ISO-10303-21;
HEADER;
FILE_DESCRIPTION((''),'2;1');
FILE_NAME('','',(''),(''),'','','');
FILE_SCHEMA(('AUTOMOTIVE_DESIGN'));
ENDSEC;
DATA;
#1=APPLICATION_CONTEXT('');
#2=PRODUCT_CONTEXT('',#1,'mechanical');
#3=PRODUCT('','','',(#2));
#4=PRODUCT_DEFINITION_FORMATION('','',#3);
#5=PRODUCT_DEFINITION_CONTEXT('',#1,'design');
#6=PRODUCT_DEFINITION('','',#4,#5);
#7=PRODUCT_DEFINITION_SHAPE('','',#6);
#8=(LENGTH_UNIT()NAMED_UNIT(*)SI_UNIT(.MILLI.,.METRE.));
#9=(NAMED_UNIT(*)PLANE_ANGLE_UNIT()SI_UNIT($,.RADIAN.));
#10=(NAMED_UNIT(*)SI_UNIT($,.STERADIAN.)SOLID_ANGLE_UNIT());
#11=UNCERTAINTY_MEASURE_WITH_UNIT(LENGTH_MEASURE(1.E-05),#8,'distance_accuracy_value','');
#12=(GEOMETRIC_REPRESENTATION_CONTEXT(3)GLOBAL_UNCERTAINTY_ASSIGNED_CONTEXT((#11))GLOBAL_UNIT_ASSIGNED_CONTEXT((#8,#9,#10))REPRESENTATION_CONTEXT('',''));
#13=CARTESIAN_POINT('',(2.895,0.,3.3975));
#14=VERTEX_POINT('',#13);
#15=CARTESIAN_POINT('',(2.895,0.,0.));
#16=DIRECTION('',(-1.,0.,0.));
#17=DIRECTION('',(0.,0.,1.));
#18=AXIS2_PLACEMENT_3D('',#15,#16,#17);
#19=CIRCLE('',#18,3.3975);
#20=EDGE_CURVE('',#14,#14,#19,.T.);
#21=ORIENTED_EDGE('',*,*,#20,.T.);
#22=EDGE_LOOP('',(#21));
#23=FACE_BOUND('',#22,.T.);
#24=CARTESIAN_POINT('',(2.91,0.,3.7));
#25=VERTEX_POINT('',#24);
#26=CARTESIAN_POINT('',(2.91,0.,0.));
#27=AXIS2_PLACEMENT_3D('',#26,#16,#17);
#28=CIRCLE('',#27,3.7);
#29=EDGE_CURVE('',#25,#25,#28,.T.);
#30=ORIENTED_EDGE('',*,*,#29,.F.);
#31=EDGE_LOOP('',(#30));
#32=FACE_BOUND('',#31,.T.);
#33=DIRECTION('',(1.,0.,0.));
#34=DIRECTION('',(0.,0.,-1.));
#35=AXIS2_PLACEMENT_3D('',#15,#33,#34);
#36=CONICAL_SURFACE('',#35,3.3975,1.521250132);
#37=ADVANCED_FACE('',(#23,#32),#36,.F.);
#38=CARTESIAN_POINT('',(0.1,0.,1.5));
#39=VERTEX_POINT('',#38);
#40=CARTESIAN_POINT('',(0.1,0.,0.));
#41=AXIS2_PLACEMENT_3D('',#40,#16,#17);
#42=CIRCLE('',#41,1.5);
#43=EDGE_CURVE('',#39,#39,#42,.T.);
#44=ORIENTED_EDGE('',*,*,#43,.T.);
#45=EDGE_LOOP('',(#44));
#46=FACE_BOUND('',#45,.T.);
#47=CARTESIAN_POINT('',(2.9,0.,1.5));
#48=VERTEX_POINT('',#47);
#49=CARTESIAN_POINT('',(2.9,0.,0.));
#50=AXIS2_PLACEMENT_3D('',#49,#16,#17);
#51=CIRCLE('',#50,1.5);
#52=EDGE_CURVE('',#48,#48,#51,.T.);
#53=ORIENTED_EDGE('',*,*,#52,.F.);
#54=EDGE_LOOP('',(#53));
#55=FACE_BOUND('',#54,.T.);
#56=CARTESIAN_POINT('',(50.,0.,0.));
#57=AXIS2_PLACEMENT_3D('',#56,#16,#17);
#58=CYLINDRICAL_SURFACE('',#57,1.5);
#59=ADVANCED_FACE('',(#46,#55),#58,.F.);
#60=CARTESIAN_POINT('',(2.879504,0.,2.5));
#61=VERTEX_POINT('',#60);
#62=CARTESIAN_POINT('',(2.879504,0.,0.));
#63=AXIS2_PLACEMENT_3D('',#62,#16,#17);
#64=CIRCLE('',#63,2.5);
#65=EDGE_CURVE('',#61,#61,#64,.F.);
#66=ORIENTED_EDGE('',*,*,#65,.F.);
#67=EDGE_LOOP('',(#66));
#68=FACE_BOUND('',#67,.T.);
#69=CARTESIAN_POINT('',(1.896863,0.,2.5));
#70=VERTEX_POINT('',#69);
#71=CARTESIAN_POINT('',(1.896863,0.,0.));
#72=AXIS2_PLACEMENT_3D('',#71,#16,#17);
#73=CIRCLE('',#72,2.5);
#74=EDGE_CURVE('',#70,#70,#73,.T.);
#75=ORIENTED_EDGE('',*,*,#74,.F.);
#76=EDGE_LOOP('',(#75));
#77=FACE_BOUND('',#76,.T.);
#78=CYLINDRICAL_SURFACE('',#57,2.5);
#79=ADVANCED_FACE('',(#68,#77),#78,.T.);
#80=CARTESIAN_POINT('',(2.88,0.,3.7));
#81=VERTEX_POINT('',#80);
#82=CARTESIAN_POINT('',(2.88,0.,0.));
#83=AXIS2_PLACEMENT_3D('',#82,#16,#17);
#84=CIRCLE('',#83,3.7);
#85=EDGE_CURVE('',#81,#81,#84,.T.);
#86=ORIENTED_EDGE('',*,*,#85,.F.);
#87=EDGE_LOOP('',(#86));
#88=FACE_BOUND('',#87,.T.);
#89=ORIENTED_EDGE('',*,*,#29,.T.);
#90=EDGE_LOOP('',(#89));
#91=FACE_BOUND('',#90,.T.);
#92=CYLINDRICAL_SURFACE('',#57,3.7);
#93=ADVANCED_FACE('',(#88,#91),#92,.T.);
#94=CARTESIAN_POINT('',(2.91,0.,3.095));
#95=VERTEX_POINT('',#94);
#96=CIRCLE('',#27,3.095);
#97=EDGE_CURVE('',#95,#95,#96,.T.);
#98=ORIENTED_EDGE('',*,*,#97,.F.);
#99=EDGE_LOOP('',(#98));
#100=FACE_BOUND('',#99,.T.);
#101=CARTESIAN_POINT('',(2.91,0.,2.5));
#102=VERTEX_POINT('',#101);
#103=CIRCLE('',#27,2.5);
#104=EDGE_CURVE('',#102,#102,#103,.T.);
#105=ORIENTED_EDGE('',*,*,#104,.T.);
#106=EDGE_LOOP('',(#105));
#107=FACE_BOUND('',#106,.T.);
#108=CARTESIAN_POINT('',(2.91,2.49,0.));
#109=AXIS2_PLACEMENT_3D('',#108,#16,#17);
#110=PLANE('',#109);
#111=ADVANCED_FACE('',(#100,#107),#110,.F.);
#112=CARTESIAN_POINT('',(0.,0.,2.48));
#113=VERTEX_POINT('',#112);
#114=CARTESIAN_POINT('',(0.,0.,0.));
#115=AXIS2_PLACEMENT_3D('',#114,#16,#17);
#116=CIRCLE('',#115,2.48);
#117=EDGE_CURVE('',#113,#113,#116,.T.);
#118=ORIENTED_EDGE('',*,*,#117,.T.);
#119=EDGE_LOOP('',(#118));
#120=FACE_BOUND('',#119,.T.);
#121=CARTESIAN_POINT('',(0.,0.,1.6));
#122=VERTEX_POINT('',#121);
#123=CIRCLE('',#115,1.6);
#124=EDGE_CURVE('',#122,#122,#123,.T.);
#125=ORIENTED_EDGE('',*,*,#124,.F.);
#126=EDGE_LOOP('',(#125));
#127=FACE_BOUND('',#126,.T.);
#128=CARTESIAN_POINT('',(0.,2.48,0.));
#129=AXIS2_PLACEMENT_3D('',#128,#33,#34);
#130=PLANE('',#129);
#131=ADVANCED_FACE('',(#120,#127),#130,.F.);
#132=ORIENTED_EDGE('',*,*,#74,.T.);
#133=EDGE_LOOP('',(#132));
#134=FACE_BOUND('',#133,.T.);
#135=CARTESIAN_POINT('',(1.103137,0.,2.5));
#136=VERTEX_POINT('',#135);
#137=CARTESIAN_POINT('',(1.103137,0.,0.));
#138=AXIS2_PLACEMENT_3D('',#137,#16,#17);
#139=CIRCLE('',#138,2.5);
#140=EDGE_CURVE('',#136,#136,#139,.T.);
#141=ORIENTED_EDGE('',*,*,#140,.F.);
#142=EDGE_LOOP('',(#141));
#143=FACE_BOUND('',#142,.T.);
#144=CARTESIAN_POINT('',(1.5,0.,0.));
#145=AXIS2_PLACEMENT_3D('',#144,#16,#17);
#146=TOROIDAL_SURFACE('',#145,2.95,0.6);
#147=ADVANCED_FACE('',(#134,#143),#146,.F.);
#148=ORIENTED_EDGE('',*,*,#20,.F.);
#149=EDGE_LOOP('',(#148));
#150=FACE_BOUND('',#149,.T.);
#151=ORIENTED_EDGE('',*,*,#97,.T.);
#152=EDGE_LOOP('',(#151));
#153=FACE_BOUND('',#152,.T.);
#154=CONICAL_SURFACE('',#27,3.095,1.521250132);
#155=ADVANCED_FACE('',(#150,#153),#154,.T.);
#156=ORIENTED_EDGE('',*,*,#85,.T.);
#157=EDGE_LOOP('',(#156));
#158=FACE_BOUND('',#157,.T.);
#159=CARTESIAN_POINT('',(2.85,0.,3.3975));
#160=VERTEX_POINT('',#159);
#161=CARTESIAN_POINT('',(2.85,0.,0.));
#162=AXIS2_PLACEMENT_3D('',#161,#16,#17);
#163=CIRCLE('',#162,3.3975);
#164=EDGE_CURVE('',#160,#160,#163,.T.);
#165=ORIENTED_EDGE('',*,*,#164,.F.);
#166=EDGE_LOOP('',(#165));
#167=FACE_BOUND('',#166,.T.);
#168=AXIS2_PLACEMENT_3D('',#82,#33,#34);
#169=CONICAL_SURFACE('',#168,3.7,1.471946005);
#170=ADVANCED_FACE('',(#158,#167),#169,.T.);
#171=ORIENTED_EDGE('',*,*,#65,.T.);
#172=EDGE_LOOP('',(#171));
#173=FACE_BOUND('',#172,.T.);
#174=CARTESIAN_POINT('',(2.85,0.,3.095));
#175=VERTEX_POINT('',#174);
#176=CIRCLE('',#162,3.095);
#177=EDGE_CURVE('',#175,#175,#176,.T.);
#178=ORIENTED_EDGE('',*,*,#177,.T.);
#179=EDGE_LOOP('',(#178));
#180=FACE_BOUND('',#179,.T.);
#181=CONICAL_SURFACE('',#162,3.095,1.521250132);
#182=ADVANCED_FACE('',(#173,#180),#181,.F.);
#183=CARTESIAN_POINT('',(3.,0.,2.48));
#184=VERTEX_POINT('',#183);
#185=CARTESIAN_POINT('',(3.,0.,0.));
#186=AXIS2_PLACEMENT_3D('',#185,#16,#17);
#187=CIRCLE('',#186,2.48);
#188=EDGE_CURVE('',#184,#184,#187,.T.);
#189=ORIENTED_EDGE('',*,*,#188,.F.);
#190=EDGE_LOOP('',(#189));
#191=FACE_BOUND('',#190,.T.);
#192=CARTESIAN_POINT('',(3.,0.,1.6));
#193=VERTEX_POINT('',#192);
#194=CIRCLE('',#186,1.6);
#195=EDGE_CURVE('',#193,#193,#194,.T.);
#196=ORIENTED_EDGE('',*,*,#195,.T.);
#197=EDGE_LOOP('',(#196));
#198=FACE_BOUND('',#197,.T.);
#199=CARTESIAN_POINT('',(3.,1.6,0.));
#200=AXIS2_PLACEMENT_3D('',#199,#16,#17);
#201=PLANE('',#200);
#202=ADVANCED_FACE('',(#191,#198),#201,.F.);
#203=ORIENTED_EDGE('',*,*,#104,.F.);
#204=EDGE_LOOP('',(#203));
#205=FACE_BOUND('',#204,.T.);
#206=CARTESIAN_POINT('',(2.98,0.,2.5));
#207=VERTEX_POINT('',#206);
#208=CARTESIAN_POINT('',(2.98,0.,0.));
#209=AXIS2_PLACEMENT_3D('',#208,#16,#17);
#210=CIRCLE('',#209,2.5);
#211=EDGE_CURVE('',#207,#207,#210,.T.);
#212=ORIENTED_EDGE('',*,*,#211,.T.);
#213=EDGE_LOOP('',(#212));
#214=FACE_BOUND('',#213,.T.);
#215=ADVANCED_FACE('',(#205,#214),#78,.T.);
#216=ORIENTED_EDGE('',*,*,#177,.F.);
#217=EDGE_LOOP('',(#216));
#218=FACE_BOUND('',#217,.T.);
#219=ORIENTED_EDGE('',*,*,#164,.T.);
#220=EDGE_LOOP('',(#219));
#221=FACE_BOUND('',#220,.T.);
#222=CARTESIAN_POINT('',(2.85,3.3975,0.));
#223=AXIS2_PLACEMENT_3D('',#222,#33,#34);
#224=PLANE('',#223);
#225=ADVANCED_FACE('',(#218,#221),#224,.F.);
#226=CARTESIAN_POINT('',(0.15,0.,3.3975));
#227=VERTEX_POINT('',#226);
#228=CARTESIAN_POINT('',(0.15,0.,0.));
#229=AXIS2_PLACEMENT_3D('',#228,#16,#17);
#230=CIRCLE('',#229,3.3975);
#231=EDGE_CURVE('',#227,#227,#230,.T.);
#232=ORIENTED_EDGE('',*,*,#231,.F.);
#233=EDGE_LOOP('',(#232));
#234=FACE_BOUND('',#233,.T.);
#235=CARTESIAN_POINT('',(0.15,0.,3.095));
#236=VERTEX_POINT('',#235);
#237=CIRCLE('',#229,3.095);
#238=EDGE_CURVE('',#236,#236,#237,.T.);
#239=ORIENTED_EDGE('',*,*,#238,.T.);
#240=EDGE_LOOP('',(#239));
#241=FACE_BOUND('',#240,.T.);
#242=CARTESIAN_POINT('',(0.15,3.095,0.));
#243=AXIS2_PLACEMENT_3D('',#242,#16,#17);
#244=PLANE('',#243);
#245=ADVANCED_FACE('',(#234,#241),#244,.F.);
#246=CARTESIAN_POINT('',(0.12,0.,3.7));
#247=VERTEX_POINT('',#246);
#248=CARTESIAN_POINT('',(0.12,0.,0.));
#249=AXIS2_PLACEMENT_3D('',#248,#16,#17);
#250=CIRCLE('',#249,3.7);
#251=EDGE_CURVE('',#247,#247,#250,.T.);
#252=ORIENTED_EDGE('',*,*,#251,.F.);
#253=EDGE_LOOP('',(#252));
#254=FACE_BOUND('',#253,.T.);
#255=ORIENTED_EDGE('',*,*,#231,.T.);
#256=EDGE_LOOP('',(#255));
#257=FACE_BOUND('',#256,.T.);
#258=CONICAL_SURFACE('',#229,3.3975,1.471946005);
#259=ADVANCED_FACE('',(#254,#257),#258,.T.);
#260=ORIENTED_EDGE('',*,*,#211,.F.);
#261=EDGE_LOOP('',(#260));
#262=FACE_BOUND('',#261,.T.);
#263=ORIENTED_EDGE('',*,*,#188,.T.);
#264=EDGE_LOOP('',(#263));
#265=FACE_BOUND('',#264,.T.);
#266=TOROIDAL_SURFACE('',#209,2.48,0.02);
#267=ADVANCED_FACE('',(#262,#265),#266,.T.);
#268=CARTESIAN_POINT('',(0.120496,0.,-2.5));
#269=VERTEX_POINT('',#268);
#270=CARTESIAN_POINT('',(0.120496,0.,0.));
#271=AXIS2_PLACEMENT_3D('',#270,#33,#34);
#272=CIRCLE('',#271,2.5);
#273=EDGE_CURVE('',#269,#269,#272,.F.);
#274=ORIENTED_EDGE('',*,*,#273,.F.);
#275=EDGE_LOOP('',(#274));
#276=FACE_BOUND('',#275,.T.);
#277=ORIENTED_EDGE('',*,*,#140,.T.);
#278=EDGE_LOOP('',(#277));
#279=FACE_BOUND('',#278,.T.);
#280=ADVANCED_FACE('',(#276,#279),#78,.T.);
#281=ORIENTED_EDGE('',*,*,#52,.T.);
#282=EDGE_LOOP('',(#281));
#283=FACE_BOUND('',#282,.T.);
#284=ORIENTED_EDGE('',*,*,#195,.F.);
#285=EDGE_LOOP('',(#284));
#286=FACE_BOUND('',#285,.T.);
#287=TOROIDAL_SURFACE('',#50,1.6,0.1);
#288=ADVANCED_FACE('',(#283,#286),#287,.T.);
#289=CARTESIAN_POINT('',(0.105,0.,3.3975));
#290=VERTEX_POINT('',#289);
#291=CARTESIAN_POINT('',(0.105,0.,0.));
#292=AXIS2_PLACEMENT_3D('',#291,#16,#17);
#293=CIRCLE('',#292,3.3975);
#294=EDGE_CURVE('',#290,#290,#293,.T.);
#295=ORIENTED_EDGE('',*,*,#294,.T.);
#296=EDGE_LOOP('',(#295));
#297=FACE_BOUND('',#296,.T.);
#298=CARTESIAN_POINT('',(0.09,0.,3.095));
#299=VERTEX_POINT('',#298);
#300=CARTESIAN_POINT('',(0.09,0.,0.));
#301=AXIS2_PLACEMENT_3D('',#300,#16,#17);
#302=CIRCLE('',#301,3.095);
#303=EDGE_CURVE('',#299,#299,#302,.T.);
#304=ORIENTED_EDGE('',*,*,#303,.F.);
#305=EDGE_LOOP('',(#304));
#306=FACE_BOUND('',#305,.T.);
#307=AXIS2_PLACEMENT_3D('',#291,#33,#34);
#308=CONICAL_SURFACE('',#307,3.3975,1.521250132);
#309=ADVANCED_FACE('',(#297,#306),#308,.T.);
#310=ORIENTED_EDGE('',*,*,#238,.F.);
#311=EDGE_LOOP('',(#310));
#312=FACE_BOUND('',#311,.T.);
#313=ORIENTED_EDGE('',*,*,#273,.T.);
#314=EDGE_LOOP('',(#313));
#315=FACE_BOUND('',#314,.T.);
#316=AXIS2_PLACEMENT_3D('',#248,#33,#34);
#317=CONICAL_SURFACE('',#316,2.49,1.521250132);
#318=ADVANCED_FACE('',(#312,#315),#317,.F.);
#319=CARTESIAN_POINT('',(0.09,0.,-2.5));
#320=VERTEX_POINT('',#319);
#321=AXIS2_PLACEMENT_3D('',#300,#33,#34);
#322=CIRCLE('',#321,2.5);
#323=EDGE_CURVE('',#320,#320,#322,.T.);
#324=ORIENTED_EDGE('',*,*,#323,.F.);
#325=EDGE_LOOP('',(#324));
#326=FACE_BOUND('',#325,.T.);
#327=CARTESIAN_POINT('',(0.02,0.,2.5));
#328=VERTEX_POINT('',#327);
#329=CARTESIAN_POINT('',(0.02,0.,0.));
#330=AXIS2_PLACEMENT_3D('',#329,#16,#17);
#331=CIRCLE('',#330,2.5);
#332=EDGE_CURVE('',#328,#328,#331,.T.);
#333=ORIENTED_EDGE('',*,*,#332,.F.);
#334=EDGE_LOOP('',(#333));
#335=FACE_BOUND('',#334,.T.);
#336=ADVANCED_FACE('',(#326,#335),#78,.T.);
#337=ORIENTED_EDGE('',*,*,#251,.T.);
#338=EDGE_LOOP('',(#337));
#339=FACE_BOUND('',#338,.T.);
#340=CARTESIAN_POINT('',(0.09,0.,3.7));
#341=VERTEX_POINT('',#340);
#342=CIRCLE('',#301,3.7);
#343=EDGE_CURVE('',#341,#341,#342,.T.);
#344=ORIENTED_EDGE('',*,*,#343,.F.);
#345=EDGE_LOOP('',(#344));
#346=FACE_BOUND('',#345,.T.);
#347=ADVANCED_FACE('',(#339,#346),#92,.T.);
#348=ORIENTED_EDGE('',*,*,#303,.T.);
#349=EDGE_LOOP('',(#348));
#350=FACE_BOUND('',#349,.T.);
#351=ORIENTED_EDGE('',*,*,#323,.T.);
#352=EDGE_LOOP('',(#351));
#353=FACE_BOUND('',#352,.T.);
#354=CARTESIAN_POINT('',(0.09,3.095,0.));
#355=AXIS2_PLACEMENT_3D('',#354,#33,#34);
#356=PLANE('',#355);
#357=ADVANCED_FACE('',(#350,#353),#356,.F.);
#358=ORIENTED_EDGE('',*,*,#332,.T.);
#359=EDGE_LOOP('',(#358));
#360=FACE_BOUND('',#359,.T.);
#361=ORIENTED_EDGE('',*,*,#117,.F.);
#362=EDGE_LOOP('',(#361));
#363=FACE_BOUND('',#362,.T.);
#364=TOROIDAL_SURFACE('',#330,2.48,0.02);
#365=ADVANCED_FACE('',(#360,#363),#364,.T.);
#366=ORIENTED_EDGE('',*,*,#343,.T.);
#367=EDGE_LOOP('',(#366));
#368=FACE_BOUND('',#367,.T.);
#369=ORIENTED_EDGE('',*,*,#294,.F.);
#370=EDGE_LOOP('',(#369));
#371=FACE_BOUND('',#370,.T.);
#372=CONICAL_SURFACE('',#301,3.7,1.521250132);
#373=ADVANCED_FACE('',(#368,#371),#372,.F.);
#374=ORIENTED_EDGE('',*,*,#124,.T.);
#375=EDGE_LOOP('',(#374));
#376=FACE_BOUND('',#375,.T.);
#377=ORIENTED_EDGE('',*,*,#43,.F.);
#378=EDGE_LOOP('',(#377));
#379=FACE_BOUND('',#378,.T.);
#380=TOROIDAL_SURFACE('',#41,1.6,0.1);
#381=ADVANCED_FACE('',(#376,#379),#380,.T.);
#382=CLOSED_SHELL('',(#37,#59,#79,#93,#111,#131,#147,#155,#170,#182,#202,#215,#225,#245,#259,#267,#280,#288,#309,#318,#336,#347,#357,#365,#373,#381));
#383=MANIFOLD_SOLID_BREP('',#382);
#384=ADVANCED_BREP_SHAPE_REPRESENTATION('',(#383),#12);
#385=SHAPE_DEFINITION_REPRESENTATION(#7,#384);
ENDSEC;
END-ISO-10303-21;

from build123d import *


with BuildPart() as part:
    # Sketch1 → Revolve1 (revolve)
    with BuildSketch(Plane.XY, mode=Mode.PRIVATE) as revolve1_sk:
        with BuildLine():
            Line((0, 2.48), (0, 1.6))
            ThreePointArc((0, 1.6), (0.029289322, 1.529289322), (0.1, 1.5))
            Line((0.1, 1.5), (2.9, 1.5))
            ThreePointArc((2.9, 1.5), (2.970710678, 1.529289322), (3, 1.6))
            Line((3, 1.6), (3, 2.48))
            ThreePointArc((3, 2.48), (2.994142136, 2.494142136), (2.98, 2.5))
            Line((2.98, 2.5), (1.896862697, 2.5))
            ThreePointArc((1.896862697, 2.5), (1.5, 2.35), (1.103137303, 2.5))
            Line((1.103137303, 2.5), (0.02, 2.5))
            ThreePointArc((0.02, 2.5), (0.005857864, 2.494142136), (0, 2.48))
        make_face()
    revolve(revolve1_sk.sketch.rotate(Axis((50, 0, 0), (-1, 0, 0)), 270), axis=Axis((50, 0, 0), (-1, 0, 0)))

    # Sketch2 → Revolve2 (revolve)
    with BuildSketch(Plane.XY, mode=Mode.PRIVATE) as revolve2_sk:
        Polygon((0.09, 3.7), (0.105, 3.3975), (0.09, 3.095), (0.09, 2.49), (0.12, 2.49), (0.15, 3.095), (0.15, 3.3975), (0.12, 3.7), align=None)
    revolve(revolve2_sk.sketch.rotate(Axis((50, 0, 0), (-1, 0, 0)), 270), axis=Axis((50, 0, 0), (-1, 0, 0)))

    # Sketch3 → Revolve3 (revolve)
    with BuildSketch(Plane.XY, mode=Mode.PRIVATE) as revolve3_sk:
        Polygon((2.85, 3.3975), (2.85, 3.095), (2.88, 2.49), (2.91, 2.49), (2.91, 3.095), (2.895, 3.3975), (2.91, 3.7), (2.88, 3.7), align=None)
    revolve(revolve3_sk.sketch.rotate(Axis((50, 0, 0), (-1, 0, 0)), 270), axis=Axis((50, 0, 0), (-1, 0, 0)))


solid = part.part
